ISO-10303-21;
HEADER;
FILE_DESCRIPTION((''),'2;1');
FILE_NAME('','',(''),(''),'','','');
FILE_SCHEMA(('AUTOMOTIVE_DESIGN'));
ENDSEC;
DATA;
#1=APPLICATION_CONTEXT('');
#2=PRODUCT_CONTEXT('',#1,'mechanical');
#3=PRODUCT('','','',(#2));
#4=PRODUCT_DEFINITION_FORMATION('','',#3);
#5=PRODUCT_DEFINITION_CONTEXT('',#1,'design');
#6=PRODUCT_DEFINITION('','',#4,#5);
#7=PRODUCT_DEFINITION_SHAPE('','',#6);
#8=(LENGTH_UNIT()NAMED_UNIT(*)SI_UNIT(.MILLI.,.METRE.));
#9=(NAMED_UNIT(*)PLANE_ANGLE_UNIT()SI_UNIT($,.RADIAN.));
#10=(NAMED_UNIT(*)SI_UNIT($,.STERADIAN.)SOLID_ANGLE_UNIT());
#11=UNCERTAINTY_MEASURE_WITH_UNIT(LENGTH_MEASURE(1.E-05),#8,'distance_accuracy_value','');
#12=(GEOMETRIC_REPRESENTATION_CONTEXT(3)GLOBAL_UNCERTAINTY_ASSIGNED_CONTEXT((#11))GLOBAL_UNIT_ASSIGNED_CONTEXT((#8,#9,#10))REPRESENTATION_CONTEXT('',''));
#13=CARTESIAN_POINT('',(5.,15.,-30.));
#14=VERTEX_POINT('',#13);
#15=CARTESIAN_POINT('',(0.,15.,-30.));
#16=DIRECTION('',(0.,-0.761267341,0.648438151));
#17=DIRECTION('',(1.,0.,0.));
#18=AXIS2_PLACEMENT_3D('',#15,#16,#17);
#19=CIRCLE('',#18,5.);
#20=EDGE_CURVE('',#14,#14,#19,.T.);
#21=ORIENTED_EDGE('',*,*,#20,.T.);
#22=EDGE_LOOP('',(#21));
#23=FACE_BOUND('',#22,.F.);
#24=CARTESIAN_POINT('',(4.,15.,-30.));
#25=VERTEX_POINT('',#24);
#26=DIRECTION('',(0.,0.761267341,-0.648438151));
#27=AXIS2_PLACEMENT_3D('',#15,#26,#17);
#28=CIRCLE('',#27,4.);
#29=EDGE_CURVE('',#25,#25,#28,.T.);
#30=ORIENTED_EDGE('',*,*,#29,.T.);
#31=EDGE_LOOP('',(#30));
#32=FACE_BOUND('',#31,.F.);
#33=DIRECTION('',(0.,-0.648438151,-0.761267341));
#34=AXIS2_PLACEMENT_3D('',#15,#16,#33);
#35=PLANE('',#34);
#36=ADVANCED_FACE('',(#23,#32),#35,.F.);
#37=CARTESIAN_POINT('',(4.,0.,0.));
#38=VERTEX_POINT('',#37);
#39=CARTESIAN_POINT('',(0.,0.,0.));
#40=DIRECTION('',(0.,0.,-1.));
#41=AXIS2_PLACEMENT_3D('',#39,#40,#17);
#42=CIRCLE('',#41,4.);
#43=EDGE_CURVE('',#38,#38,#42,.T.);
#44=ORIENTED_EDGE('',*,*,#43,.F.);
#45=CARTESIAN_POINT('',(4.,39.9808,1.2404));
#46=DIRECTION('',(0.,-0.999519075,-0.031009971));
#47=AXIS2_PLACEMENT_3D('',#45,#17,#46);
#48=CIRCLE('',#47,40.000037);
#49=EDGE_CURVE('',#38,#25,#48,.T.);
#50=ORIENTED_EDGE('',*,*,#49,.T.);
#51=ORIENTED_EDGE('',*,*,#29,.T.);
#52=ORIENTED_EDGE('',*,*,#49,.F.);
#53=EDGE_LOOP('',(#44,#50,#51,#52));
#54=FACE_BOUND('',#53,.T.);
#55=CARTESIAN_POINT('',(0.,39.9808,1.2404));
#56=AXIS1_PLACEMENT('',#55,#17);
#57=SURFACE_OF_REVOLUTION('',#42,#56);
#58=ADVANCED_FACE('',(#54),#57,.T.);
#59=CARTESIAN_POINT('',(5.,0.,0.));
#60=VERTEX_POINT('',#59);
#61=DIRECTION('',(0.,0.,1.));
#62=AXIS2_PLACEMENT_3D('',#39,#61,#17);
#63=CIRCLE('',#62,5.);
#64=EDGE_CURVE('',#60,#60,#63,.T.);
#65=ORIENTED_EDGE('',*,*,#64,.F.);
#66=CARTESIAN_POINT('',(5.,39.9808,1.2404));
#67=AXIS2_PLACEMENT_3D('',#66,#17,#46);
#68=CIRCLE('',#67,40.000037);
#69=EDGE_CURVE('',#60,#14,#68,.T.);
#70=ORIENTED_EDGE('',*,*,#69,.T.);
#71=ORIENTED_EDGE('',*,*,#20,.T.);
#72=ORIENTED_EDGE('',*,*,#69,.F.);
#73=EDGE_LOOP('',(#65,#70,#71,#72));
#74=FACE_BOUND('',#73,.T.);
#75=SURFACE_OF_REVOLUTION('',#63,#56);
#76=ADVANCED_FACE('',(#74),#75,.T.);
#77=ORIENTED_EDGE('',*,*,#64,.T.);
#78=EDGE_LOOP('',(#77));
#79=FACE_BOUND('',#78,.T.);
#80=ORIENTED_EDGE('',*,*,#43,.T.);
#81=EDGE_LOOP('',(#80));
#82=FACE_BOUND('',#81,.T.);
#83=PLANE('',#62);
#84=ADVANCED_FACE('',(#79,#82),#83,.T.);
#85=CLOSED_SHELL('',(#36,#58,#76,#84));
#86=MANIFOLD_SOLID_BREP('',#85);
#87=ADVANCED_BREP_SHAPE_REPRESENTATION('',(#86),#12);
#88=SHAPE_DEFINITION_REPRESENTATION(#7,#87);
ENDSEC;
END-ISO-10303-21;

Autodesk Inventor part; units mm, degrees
ref_plane "YZ Plane" through (0, 0, 0) normal (1, 0, 0) x (0, 1, 0)
ref_plane "XZ Plane" through (0, 0, 0) normal (0, 1, 0) x (-1, 0, 0)
ref_plane "XY Plane" through (0, 0, 0) normal (0, 0, 1) x (1, 0, 0)
sketch "Esboço1" plane through (0, 0, 0) normal (0, 0, 1) x (1, 0, 0)
  circle A0 centre (0, 0) radius 5
  circle A1 centre (0, 0) radius 4
  dimension "d0" = 10
  dimension "d1" = 1
sketch "Esboço2" plane through (0, 0, 0) normal (1, 0, 0) x (0, 1, 0)
  arc A0 (0, 0) -> (15, -30) centre (39.9808, 1.2404) ccw
  dimension "d2" = 40
  dimension "d6" = 30
  dimension "d7" = 15
sweep "Varredura1" add profiles "Esboço1" path "Esboço2"
properties part number "peca_004_001" material "Borracha"
